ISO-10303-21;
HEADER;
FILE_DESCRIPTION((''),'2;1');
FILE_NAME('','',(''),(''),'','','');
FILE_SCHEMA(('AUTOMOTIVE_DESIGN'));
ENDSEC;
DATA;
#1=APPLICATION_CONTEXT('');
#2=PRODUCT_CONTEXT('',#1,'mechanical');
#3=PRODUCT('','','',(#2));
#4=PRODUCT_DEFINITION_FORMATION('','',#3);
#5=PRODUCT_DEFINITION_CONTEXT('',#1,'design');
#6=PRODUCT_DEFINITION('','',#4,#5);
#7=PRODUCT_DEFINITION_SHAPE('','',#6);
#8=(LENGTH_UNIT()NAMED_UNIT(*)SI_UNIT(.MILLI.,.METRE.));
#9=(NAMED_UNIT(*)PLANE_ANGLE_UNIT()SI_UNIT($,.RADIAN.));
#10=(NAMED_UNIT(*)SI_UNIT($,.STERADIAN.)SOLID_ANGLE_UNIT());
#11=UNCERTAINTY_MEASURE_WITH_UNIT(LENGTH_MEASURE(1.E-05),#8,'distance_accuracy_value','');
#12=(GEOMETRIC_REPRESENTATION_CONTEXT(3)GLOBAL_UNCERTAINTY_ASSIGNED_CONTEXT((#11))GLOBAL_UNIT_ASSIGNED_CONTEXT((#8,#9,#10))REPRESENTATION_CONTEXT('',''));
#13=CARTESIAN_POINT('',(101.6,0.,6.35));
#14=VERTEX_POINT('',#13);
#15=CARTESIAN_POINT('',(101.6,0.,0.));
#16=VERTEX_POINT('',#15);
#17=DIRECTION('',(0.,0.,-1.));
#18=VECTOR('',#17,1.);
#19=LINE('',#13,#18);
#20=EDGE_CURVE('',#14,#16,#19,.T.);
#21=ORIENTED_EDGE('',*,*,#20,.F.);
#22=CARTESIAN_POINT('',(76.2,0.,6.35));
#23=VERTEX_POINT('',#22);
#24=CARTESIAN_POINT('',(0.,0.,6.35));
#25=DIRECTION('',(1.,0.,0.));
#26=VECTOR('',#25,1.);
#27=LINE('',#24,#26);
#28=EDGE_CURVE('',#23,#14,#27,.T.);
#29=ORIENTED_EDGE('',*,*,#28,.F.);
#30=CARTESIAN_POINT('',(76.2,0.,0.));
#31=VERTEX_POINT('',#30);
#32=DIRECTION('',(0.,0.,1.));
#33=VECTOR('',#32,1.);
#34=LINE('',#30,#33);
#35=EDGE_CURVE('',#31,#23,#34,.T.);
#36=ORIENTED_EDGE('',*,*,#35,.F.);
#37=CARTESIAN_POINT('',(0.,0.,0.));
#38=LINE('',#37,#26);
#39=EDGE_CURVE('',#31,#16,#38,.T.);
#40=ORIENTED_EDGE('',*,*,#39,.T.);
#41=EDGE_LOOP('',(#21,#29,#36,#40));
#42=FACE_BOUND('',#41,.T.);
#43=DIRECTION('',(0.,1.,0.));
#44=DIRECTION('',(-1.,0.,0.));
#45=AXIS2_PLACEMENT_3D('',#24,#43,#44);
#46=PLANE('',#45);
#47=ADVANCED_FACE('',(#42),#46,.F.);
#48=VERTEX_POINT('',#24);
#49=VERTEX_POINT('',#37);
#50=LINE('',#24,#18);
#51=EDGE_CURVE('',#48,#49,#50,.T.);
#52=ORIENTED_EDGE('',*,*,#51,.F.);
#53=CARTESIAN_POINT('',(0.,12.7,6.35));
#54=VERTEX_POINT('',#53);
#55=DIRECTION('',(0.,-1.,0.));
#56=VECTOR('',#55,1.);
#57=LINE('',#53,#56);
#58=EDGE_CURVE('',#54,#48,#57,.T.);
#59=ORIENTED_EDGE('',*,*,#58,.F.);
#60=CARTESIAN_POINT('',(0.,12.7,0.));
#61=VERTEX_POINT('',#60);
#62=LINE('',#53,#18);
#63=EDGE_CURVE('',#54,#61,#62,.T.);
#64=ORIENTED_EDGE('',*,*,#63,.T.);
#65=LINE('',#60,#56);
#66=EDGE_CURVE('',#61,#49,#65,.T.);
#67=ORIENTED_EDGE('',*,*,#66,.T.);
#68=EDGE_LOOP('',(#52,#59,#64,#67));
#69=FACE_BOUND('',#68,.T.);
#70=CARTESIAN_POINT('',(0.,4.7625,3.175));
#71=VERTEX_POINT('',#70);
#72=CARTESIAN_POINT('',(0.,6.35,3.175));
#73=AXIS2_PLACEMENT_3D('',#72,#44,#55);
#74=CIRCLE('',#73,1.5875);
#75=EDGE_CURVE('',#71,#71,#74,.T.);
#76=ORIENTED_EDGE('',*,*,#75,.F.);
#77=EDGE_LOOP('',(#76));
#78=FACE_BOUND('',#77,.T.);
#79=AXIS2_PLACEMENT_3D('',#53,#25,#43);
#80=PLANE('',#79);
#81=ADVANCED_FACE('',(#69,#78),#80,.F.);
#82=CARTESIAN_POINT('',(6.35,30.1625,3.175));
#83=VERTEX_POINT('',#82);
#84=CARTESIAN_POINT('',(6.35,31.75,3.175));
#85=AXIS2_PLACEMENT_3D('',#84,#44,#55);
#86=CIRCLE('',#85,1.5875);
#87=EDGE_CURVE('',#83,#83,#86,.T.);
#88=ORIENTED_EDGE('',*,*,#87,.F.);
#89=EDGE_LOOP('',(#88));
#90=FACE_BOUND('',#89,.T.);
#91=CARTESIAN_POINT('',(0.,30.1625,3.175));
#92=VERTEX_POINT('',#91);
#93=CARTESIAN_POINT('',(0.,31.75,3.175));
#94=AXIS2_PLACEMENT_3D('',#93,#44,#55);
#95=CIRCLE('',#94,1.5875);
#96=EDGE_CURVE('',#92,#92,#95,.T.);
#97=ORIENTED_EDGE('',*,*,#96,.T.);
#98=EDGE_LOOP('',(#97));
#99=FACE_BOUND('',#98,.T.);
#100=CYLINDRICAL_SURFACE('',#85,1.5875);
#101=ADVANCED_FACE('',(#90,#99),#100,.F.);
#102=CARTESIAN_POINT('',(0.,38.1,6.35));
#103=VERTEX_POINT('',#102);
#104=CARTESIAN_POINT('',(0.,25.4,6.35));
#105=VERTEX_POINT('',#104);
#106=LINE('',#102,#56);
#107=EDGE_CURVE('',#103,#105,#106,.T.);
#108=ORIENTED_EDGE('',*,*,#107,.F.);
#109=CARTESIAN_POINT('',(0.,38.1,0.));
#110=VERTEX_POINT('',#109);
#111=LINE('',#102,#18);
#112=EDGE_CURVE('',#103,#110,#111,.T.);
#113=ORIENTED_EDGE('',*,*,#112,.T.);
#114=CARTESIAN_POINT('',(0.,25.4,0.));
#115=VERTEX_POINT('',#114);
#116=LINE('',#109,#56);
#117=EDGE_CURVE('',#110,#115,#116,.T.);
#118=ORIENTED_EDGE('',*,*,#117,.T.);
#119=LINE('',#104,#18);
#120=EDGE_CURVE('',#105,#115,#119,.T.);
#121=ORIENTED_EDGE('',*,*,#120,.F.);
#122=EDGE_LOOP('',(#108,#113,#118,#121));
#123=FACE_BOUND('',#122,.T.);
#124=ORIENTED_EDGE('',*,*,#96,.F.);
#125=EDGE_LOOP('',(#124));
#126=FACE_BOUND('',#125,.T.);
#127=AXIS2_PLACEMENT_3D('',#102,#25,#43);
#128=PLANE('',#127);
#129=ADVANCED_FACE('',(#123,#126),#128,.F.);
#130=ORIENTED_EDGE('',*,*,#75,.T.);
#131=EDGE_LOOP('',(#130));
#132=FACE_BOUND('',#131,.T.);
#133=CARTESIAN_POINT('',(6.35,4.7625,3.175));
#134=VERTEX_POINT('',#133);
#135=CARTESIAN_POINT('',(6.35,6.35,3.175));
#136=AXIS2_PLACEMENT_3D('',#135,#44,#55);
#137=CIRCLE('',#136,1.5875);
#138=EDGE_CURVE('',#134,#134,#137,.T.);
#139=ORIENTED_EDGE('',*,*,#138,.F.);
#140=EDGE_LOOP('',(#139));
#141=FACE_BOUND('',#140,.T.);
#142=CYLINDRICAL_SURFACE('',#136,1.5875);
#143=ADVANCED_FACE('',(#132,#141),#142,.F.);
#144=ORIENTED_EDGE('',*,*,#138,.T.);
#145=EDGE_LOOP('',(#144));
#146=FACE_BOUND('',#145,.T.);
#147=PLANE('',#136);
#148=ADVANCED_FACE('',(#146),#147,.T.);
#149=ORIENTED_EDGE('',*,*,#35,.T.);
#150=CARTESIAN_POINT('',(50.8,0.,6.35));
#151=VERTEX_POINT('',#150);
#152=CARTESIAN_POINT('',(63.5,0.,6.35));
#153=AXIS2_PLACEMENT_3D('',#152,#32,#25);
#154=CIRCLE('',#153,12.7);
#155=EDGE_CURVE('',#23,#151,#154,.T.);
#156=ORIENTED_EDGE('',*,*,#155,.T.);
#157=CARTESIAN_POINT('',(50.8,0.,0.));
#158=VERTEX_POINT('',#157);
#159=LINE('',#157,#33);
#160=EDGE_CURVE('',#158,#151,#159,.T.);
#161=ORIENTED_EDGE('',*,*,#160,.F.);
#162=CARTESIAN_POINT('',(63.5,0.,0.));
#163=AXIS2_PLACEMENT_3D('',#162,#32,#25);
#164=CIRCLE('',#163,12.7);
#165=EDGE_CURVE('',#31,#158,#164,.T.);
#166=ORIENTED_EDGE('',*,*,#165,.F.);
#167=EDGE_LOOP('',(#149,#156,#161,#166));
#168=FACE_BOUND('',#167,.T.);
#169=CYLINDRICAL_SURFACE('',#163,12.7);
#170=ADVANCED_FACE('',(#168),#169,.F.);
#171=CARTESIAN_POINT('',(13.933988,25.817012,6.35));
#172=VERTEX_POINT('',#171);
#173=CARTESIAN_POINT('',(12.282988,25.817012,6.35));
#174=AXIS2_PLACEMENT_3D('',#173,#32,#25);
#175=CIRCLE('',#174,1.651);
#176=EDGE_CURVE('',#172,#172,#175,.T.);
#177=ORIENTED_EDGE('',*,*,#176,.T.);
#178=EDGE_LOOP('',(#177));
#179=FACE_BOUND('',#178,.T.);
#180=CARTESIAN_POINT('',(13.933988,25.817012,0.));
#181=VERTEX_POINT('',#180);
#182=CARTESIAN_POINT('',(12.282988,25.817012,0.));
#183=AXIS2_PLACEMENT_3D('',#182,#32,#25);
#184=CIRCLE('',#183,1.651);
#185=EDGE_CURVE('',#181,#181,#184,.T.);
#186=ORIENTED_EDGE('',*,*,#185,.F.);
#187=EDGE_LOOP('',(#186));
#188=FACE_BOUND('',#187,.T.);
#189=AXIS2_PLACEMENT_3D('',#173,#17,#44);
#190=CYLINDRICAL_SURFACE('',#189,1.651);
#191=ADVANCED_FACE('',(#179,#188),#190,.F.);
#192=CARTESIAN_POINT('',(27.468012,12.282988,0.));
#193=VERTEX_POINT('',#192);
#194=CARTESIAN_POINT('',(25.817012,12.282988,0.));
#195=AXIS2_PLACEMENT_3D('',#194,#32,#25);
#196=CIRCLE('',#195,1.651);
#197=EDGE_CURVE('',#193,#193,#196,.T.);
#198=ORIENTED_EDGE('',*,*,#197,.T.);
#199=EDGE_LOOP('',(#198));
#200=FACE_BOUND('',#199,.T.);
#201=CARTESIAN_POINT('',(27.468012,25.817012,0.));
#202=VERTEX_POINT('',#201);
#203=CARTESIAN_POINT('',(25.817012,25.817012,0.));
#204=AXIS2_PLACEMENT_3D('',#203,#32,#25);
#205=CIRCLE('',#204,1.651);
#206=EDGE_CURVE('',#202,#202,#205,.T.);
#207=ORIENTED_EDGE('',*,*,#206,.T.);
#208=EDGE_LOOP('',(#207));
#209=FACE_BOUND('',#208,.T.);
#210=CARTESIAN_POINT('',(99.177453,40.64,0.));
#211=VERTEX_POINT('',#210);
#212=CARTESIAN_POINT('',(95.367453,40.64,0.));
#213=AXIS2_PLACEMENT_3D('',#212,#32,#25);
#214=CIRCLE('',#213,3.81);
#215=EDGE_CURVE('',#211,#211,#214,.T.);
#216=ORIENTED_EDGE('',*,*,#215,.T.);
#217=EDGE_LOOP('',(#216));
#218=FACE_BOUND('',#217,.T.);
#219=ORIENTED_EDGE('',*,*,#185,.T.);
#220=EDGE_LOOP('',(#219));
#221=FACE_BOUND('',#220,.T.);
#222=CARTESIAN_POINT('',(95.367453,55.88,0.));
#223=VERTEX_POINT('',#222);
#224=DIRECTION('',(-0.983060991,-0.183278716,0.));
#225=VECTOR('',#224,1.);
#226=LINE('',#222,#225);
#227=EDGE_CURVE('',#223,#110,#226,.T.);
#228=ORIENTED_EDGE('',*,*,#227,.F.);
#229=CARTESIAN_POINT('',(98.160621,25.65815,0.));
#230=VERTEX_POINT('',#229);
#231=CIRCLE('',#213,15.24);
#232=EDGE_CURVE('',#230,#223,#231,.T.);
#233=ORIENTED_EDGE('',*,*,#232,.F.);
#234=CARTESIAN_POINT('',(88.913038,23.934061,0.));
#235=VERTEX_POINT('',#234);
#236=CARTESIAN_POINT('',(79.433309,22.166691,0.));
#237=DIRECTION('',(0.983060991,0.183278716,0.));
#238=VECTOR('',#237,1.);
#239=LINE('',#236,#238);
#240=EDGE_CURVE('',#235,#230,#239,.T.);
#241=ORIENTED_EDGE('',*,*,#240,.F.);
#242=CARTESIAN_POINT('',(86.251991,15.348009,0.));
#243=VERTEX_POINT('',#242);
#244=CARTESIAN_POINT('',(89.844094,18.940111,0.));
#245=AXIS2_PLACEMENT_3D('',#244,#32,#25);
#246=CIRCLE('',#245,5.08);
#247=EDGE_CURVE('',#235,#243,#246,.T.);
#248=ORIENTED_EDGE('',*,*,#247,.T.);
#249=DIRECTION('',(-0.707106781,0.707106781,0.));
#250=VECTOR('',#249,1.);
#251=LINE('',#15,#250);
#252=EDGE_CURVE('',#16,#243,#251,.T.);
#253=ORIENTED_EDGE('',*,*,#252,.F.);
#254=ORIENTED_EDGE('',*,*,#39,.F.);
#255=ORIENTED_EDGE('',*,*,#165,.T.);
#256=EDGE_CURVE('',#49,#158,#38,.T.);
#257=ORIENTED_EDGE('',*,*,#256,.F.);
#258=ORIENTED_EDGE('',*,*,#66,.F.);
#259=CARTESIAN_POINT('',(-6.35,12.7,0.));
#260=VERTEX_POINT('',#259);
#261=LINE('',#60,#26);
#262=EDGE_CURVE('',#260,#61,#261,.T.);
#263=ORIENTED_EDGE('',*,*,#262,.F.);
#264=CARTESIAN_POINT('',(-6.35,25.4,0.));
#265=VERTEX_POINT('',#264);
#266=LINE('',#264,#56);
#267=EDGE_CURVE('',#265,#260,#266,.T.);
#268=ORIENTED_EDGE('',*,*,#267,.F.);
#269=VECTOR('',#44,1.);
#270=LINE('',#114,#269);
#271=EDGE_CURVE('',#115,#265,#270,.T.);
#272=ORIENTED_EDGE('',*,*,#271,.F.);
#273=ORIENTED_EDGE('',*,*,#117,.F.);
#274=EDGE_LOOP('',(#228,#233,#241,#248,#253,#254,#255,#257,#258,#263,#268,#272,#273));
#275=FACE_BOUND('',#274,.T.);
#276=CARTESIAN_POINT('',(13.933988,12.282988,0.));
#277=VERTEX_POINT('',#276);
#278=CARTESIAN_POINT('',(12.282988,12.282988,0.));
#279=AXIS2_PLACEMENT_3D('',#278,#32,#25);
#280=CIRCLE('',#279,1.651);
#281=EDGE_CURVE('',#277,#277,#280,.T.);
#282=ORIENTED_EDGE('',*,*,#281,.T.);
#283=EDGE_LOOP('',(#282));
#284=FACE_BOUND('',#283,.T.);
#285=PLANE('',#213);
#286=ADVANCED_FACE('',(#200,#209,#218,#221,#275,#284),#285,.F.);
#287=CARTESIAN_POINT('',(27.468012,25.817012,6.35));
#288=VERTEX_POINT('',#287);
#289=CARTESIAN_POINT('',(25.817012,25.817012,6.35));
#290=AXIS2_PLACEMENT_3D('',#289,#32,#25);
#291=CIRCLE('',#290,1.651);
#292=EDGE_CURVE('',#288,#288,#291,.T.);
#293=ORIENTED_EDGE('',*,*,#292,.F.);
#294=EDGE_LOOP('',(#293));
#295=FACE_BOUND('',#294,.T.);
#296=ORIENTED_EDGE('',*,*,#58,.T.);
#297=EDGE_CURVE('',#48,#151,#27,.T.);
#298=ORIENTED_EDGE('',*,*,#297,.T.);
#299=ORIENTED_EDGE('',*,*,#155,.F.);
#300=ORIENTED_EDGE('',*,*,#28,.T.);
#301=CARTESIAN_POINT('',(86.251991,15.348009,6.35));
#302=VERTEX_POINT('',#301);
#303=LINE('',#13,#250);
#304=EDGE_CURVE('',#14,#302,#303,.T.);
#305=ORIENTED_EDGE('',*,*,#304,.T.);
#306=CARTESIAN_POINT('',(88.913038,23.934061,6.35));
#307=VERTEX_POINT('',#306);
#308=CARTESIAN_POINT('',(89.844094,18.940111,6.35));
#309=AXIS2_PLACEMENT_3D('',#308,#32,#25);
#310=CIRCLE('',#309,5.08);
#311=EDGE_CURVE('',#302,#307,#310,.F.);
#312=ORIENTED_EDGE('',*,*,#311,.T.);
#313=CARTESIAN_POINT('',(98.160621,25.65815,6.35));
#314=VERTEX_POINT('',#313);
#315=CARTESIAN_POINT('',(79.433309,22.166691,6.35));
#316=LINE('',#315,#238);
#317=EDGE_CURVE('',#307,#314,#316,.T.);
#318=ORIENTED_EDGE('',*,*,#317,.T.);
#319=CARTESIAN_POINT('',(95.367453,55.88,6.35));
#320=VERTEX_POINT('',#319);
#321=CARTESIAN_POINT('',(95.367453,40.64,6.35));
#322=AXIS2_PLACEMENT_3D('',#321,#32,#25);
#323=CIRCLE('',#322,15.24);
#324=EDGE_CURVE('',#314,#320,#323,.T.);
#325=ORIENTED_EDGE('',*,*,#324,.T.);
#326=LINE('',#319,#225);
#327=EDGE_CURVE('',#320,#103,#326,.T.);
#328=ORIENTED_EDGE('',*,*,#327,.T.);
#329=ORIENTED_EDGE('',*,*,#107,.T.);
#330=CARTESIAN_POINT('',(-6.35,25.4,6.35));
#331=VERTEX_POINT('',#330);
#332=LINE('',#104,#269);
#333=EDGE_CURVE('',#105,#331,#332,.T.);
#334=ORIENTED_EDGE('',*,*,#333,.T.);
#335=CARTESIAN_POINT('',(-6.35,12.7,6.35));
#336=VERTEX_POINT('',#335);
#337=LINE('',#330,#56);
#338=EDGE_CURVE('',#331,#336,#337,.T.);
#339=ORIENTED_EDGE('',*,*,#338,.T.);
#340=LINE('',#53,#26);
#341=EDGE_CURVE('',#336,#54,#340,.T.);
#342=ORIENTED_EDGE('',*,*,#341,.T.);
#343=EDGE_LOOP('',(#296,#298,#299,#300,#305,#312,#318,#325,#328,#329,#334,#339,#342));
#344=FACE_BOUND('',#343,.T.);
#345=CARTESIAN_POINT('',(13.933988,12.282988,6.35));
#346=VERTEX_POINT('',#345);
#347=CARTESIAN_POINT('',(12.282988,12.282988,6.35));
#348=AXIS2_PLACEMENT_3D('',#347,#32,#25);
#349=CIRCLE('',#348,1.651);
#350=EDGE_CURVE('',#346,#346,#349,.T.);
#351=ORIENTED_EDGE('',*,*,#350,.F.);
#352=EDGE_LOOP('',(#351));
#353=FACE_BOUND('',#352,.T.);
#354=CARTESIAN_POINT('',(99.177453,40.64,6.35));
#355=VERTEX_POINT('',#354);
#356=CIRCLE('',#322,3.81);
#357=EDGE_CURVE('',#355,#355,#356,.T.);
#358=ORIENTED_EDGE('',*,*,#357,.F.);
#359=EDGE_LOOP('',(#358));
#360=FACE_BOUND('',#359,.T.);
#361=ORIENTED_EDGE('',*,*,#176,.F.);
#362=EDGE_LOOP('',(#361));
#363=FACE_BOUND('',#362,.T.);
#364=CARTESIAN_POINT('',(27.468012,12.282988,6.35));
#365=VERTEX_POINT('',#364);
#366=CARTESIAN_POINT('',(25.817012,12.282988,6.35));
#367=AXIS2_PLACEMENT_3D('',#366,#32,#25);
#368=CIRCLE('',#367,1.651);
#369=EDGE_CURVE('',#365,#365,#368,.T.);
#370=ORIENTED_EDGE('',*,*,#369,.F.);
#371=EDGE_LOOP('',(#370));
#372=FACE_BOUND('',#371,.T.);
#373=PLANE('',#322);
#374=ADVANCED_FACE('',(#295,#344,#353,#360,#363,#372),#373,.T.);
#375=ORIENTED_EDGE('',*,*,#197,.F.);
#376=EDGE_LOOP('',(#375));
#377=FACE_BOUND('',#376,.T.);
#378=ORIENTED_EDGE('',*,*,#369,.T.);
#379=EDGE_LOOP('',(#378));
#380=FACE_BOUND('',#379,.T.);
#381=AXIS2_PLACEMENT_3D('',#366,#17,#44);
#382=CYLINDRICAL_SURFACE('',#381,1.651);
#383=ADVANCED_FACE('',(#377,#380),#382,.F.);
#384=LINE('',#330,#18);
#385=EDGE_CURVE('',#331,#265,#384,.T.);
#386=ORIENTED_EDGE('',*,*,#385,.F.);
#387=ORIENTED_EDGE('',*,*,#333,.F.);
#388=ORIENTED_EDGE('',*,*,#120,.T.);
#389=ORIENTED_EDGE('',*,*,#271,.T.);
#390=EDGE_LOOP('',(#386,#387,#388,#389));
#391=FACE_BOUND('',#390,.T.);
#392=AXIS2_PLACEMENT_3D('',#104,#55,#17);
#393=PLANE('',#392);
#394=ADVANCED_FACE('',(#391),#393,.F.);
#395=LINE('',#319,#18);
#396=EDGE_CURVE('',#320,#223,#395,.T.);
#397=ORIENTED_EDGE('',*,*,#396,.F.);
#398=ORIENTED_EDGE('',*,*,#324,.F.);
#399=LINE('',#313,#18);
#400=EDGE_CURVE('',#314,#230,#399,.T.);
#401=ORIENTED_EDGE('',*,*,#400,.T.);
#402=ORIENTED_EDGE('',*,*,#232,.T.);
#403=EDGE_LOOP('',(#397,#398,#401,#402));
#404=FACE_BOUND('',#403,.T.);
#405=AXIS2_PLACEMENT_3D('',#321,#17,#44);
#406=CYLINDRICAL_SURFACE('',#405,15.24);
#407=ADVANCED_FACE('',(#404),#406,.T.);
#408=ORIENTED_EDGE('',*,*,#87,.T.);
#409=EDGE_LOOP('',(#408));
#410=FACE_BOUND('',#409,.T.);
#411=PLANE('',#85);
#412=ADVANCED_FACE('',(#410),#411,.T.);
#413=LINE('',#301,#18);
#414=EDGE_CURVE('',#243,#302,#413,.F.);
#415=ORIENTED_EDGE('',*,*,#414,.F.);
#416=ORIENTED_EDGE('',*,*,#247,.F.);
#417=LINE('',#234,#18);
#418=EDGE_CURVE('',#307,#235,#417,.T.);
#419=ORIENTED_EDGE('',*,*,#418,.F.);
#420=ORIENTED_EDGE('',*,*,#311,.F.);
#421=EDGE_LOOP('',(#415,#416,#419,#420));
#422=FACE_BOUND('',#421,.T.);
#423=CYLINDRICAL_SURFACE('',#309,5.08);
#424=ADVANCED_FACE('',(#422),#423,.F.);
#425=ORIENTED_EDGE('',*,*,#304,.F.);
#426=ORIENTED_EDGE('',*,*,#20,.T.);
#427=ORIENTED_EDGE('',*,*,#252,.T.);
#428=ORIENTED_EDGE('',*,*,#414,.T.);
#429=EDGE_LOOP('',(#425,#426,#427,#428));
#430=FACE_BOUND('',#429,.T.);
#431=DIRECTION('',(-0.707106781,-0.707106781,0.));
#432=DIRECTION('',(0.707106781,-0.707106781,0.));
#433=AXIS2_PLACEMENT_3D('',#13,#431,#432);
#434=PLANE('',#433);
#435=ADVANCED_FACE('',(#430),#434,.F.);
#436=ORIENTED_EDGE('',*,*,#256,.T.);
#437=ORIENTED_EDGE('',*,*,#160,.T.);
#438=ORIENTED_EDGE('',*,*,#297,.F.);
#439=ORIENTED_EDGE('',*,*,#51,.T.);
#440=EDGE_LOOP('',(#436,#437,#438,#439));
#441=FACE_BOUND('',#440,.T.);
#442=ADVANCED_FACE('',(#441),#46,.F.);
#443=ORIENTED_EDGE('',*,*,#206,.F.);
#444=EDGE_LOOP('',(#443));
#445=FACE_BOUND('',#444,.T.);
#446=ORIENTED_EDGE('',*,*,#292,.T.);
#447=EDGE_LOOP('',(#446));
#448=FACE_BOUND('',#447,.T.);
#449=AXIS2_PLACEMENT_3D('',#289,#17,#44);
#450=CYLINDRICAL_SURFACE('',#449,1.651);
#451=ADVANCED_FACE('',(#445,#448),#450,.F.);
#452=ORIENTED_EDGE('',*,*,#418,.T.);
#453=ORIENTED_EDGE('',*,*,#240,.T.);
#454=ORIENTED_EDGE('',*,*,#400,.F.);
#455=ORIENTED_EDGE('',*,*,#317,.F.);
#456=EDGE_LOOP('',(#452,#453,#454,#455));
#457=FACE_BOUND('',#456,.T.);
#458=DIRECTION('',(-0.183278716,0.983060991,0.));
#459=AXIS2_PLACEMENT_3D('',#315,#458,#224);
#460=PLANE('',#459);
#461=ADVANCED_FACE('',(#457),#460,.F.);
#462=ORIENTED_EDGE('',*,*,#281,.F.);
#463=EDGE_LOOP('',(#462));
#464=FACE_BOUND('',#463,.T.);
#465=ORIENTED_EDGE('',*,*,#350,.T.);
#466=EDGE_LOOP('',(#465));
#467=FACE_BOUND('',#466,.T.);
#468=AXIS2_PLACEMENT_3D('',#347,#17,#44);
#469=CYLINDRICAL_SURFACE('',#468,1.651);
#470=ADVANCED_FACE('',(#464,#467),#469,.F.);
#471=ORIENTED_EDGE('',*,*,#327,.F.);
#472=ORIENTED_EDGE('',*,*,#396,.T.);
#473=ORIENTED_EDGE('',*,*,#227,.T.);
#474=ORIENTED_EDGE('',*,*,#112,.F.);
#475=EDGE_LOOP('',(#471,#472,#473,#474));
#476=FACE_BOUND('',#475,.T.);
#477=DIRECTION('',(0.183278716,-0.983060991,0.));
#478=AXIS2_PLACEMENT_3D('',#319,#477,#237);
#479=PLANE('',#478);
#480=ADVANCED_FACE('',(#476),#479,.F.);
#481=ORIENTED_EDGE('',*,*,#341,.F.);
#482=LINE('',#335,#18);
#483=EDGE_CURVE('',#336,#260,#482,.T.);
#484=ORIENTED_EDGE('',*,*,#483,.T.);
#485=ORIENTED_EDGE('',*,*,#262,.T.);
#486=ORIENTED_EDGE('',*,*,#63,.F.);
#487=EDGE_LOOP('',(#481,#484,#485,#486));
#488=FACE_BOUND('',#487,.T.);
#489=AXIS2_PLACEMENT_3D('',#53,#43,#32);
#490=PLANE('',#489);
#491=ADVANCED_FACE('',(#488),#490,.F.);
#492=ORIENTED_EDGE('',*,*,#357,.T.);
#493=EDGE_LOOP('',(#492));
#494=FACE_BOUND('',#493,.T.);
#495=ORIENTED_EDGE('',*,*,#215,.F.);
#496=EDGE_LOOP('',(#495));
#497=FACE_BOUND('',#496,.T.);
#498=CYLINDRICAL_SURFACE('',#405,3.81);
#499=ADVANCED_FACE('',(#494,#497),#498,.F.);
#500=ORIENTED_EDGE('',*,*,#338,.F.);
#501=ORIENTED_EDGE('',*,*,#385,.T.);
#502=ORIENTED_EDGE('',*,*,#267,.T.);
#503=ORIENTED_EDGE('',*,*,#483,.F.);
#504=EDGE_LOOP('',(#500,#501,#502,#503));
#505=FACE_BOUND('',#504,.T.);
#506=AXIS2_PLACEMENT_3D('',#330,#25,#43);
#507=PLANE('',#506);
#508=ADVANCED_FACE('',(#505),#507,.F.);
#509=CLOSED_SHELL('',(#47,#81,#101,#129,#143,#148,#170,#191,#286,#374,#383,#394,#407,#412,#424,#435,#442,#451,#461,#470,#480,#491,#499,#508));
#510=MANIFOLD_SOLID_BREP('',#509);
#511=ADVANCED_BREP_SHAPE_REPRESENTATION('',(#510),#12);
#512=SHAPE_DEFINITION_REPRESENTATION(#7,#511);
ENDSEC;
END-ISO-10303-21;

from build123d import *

# Parameters (mm, degrees)
SKETCH1_R           = 3.81
SKETCH1_R_2         = 1.651
BOSS_EXTRUDE1_DEPTH = 6.35
FILLET2_R           = 5.08
SKETCH3_R           = 1.5875
CUT_EXTRUDE1_DEPTH  = 6.35
CUT_EXTRUDE2_DEPTH  = 6.35


with BuildPart() as part:
    # Sketch1 → Boss-Extrude1 (new body)
    with BuildSketch(Plane.XY):
        with BuildLine():
            Line((0, 0), (101.6, 0))
            Line((101.6, 0), (79.43330905, 22.16669095))
            Line((79.43330905, 22.16669095), (98.16062093, 25.658150496))
            ThreePointArc((98.16062093, 25.658150496), (110.542778436, 42.04253584), (95.367453293, 55.88))
            Line((95.367453293, 55.88), (0, 38.1))
            Line((0, 38.1), (0, 25.4))
            Line((0, 25.4), (-6.35, 25.4))
            Line((-6.35, 25.4), (-6.35, 12.7))
            Line((-6.35, 12.7), (0, 12.7))
            Line((0, 12.7), (0, 0))
        make_face()
        with Locations((95.367453293, 40.64)):
            Circle(SKETCH1_R, mode=Mode.SUBTRACT)
        with Locations((25.817011896, 25.817011896)):
            Circle(SKETCH1_R_2, mode=Mode.SUBTRACT)
        with Locations((25.817011896, 12.282988104)):
            Circle(SKETCH1_R_2, mode=Mode.SUBTRACT)
        with Locations((12.282988104, 12.282988104)):
            Circle(SKETCH1_R_2, mode=Mode.SUBTRACT)
        with Locations((12.282988104, 25.817011896)):
            Circle(SKETCH1_R_2, mode=Mode.SUBTRACT)
    extrude(amount=BOSS_EXTRUDE1_DEPTH)

    # Fillet2
    fillet2_edges = [part.edges().sort_by_distance(p)[0] for p in [
        (79.43330905, 22.16669095, 3.175),
    ]]
    fillet(fillet2_edges, radius=FILLET2_R)

    # Sketch3 → Cut-Extrude1 (cut)
    with BuildSketch(Plane.ZY):
        with Locations(Location((3.175, 31.75, 0), (0, 0, 270))):
            Circle(SKETCH3_R)
        with Locations(Location((3.175, 6.35, 0), (0, 0, 270))):
            Circle(SKETCH3_R)
    extrude(amount=-CUT_EXTRUDE1_DEPTH, mode=Mode.SUBTRACT)

    # Sketch6 → Cut-Extrude2 (cut)
    with BuildSketch(Plane.XY.offset(6.35)):
        with BuildLine():
            Line((50.8, 0), (76.2, 0))
            ThreePointArc((76.2, 0), (63.5, 12.7), (50.8, 0))
        make_face()
    extrude(amount=-CUT_EXTRUDE2_DEPTH, mode=Mode.SUBTRACT)


solid = part.part
